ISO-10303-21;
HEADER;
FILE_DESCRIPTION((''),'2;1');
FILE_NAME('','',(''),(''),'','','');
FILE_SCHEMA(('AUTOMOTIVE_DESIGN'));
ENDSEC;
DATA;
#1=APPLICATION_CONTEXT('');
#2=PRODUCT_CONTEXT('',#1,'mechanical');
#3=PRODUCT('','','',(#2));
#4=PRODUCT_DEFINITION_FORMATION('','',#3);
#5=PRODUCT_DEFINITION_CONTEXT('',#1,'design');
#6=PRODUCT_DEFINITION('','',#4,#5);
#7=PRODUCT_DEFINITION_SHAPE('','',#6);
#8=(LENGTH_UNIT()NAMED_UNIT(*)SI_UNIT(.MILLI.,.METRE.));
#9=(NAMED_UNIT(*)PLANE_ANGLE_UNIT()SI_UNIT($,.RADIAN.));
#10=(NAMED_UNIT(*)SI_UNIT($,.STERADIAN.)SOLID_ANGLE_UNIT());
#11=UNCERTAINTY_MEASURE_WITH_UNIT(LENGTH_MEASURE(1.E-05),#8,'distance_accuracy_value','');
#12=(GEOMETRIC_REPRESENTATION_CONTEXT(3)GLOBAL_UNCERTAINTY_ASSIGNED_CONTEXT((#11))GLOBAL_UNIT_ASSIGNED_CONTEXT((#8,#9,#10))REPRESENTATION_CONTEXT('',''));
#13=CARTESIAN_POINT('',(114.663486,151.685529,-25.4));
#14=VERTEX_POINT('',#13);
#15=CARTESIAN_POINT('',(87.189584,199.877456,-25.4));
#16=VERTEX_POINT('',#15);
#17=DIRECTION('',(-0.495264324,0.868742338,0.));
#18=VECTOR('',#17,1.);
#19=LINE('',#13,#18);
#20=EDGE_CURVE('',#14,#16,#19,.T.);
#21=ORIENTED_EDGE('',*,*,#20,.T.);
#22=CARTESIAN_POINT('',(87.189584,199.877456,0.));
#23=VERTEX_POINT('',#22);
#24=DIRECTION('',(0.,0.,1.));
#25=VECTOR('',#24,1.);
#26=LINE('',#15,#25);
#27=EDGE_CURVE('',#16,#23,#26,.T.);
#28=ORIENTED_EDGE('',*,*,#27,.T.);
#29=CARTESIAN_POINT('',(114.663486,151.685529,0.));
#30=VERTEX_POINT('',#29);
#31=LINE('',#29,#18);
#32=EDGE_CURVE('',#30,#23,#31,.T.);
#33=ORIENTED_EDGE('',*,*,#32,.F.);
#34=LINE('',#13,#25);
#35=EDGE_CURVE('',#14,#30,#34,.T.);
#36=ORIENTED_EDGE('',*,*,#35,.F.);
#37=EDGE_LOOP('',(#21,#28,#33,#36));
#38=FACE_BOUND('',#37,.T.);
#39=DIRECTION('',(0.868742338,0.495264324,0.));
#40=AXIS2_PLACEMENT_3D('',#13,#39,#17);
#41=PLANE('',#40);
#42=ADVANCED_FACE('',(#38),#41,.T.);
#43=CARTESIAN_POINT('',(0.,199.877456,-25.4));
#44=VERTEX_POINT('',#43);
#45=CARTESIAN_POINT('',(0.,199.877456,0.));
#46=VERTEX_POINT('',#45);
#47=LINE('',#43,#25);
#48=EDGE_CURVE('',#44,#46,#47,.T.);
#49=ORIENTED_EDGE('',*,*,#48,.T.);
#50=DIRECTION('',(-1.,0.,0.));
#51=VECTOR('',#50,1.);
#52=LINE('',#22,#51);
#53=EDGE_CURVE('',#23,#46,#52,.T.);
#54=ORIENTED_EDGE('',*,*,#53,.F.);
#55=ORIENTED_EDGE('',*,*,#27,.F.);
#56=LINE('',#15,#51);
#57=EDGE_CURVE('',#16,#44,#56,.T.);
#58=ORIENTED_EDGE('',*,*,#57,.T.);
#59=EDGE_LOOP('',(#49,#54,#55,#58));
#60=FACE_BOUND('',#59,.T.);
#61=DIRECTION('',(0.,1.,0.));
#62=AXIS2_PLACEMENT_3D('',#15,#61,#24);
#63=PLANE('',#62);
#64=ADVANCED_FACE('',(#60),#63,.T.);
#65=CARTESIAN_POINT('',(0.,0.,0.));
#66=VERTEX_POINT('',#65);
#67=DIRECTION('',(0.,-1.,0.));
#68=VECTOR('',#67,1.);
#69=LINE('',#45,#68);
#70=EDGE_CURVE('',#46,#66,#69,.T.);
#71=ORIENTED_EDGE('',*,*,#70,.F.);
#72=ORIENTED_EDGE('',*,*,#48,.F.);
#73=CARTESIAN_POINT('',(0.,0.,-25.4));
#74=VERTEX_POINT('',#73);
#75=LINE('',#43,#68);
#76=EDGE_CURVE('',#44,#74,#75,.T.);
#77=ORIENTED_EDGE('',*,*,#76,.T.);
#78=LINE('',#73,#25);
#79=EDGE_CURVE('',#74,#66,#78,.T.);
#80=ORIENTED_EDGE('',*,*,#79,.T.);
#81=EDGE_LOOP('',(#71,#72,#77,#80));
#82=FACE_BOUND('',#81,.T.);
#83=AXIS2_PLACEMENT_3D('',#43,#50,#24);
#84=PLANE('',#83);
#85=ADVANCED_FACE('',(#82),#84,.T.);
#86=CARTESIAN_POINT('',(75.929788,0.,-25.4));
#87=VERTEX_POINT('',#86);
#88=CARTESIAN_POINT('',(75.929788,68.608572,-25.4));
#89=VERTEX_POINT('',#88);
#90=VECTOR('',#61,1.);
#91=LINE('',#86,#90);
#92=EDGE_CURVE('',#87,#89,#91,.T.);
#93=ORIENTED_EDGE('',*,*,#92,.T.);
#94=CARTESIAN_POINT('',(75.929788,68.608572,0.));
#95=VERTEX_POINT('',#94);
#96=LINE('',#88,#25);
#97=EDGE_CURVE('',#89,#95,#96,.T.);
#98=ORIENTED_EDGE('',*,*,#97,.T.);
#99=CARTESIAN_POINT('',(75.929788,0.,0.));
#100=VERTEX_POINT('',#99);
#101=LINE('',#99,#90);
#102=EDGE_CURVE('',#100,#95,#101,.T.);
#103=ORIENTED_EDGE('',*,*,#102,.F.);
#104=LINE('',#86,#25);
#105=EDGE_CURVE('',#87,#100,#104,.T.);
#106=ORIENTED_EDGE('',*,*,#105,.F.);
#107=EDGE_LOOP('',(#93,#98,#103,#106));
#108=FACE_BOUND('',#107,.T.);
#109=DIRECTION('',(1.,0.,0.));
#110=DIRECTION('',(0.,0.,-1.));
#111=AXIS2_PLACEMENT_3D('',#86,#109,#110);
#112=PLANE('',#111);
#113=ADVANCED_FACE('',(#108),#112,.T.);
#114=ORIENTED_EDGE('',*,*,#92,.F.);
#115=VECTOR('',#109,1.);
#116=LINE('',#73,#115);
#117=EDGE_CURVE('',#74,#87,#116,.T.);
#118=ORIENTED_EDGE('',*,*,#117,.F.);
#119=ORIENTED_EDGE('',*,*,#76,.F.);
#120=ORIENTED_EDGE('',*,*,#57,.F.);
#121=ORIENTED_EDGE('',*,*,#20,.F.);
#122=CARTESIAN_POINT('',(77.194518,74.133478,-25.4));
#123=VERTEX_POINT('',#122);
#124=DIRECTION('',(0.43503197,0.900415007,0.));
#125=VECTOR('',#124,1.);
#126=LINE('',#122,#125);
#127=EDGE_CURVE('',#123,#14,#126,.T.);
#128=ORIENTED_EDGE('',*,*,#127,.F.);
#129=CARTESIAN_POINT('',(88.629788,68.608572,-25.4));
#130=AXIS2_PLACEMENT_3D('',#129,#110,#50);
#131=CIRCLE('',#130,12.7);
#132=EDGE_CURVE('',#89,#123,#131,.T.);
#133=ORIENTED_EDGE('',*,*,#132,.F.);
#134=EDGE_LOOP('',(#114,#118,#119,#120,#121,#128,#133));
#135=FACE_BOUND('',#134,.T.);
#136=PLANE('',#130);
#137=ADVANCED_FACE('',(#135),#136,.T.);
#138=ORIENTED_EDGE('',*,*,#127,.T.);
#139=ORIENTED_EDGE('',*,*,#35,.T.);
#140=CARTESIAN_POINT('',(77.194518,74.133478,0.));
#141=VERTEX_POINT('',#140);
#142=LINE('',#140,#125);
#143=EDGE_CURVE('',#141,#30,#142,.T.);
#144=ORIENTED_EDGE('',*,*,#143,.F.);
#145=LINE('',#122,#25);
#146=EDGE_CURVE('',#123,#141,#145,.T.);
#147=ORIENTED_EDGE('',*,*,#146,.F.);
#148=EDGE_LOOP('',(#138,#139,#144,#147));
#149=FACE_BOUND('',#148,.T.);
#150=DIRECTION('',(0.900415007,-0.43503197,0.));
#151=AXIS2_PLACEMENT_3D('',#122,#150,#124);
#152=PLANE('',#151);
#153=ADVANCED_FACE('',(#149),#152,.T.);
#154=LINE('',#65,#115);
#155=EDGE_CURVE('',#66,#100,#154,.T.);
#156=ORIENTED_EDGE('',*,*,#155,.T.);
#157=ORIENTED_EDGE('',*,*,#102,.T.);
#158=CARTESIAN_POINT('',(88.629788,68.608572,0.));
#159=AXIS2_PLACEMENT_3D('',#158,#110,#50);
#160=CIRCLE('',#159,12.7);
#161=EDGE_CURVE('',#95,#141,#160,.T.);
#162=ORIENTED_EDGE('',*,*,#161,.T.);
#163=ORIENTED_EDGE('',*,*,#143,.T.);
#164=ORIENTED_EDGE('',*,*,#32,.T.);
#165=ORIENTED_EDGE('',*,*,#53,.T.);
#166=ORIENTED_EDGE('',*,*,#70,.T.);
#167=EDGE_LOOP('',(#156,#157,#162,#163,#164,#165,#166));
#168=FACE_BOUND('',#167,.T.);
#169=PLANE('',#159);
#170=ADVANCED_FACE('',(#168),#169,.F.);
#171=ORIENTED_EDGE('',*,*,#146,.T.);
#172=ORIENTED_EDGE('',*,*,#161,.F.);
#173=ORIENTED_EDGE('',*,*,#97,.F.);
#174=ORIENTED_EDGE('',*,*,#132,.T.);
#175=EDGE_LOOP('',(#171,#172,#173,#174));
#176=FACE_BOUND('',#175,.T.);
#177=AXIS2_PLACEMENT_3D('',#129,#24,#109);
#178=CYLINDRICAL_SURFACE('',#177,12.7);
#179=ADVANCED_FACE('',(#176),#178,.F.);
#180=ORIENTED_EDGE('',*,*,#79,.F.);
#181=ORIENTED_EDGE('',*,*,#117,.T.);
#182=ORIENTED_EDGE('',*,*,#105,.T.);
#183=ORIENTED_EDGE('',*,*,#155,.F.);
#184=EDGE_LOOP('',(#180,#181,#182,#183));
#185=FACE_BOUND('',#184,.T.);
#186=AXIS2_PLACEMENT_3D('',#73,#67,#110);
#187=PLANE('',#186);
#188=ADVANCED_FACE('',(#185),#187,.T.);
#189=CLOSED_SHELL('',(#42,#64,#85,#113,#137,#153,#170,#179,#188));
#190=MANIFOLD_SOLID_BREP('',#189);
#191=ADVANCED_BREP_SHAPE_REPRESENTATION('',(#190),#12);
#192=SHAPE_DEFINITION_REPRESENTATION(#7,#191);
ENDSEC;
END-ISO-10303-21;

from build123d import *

# Parameters (mm, degrees)
EXTRUDE1_DEPTH = 25.4


with BuildPart() as part:
    # Sketch2 → Extrude1 (new body)
    with BuildSketch(Plane.XY):
        with BuildLine():
            Line((0, 0), (75.929788313, 0))
            Line((75.929788313, 0), (75.929788313, 68.608572188))
            ThreePointArc((75.929788313, 68.608572188), (76.25000769, 71.442479692), (77.194517721, 74.133478204))
            Line((77.194517721, 74.133478204), (114.663486186, 151.685529213))
            Line((114.663486186, 151.685529213), (87.189584206, 199.877455637))
            Line((87.189584206, 199.877455637), (0, 199.877455637))
            Line((0, 199.877455637), (0, 0))
        make_face()
    extrude(amount=-EXTRUDE1_DEPTH)


solid = part.part
